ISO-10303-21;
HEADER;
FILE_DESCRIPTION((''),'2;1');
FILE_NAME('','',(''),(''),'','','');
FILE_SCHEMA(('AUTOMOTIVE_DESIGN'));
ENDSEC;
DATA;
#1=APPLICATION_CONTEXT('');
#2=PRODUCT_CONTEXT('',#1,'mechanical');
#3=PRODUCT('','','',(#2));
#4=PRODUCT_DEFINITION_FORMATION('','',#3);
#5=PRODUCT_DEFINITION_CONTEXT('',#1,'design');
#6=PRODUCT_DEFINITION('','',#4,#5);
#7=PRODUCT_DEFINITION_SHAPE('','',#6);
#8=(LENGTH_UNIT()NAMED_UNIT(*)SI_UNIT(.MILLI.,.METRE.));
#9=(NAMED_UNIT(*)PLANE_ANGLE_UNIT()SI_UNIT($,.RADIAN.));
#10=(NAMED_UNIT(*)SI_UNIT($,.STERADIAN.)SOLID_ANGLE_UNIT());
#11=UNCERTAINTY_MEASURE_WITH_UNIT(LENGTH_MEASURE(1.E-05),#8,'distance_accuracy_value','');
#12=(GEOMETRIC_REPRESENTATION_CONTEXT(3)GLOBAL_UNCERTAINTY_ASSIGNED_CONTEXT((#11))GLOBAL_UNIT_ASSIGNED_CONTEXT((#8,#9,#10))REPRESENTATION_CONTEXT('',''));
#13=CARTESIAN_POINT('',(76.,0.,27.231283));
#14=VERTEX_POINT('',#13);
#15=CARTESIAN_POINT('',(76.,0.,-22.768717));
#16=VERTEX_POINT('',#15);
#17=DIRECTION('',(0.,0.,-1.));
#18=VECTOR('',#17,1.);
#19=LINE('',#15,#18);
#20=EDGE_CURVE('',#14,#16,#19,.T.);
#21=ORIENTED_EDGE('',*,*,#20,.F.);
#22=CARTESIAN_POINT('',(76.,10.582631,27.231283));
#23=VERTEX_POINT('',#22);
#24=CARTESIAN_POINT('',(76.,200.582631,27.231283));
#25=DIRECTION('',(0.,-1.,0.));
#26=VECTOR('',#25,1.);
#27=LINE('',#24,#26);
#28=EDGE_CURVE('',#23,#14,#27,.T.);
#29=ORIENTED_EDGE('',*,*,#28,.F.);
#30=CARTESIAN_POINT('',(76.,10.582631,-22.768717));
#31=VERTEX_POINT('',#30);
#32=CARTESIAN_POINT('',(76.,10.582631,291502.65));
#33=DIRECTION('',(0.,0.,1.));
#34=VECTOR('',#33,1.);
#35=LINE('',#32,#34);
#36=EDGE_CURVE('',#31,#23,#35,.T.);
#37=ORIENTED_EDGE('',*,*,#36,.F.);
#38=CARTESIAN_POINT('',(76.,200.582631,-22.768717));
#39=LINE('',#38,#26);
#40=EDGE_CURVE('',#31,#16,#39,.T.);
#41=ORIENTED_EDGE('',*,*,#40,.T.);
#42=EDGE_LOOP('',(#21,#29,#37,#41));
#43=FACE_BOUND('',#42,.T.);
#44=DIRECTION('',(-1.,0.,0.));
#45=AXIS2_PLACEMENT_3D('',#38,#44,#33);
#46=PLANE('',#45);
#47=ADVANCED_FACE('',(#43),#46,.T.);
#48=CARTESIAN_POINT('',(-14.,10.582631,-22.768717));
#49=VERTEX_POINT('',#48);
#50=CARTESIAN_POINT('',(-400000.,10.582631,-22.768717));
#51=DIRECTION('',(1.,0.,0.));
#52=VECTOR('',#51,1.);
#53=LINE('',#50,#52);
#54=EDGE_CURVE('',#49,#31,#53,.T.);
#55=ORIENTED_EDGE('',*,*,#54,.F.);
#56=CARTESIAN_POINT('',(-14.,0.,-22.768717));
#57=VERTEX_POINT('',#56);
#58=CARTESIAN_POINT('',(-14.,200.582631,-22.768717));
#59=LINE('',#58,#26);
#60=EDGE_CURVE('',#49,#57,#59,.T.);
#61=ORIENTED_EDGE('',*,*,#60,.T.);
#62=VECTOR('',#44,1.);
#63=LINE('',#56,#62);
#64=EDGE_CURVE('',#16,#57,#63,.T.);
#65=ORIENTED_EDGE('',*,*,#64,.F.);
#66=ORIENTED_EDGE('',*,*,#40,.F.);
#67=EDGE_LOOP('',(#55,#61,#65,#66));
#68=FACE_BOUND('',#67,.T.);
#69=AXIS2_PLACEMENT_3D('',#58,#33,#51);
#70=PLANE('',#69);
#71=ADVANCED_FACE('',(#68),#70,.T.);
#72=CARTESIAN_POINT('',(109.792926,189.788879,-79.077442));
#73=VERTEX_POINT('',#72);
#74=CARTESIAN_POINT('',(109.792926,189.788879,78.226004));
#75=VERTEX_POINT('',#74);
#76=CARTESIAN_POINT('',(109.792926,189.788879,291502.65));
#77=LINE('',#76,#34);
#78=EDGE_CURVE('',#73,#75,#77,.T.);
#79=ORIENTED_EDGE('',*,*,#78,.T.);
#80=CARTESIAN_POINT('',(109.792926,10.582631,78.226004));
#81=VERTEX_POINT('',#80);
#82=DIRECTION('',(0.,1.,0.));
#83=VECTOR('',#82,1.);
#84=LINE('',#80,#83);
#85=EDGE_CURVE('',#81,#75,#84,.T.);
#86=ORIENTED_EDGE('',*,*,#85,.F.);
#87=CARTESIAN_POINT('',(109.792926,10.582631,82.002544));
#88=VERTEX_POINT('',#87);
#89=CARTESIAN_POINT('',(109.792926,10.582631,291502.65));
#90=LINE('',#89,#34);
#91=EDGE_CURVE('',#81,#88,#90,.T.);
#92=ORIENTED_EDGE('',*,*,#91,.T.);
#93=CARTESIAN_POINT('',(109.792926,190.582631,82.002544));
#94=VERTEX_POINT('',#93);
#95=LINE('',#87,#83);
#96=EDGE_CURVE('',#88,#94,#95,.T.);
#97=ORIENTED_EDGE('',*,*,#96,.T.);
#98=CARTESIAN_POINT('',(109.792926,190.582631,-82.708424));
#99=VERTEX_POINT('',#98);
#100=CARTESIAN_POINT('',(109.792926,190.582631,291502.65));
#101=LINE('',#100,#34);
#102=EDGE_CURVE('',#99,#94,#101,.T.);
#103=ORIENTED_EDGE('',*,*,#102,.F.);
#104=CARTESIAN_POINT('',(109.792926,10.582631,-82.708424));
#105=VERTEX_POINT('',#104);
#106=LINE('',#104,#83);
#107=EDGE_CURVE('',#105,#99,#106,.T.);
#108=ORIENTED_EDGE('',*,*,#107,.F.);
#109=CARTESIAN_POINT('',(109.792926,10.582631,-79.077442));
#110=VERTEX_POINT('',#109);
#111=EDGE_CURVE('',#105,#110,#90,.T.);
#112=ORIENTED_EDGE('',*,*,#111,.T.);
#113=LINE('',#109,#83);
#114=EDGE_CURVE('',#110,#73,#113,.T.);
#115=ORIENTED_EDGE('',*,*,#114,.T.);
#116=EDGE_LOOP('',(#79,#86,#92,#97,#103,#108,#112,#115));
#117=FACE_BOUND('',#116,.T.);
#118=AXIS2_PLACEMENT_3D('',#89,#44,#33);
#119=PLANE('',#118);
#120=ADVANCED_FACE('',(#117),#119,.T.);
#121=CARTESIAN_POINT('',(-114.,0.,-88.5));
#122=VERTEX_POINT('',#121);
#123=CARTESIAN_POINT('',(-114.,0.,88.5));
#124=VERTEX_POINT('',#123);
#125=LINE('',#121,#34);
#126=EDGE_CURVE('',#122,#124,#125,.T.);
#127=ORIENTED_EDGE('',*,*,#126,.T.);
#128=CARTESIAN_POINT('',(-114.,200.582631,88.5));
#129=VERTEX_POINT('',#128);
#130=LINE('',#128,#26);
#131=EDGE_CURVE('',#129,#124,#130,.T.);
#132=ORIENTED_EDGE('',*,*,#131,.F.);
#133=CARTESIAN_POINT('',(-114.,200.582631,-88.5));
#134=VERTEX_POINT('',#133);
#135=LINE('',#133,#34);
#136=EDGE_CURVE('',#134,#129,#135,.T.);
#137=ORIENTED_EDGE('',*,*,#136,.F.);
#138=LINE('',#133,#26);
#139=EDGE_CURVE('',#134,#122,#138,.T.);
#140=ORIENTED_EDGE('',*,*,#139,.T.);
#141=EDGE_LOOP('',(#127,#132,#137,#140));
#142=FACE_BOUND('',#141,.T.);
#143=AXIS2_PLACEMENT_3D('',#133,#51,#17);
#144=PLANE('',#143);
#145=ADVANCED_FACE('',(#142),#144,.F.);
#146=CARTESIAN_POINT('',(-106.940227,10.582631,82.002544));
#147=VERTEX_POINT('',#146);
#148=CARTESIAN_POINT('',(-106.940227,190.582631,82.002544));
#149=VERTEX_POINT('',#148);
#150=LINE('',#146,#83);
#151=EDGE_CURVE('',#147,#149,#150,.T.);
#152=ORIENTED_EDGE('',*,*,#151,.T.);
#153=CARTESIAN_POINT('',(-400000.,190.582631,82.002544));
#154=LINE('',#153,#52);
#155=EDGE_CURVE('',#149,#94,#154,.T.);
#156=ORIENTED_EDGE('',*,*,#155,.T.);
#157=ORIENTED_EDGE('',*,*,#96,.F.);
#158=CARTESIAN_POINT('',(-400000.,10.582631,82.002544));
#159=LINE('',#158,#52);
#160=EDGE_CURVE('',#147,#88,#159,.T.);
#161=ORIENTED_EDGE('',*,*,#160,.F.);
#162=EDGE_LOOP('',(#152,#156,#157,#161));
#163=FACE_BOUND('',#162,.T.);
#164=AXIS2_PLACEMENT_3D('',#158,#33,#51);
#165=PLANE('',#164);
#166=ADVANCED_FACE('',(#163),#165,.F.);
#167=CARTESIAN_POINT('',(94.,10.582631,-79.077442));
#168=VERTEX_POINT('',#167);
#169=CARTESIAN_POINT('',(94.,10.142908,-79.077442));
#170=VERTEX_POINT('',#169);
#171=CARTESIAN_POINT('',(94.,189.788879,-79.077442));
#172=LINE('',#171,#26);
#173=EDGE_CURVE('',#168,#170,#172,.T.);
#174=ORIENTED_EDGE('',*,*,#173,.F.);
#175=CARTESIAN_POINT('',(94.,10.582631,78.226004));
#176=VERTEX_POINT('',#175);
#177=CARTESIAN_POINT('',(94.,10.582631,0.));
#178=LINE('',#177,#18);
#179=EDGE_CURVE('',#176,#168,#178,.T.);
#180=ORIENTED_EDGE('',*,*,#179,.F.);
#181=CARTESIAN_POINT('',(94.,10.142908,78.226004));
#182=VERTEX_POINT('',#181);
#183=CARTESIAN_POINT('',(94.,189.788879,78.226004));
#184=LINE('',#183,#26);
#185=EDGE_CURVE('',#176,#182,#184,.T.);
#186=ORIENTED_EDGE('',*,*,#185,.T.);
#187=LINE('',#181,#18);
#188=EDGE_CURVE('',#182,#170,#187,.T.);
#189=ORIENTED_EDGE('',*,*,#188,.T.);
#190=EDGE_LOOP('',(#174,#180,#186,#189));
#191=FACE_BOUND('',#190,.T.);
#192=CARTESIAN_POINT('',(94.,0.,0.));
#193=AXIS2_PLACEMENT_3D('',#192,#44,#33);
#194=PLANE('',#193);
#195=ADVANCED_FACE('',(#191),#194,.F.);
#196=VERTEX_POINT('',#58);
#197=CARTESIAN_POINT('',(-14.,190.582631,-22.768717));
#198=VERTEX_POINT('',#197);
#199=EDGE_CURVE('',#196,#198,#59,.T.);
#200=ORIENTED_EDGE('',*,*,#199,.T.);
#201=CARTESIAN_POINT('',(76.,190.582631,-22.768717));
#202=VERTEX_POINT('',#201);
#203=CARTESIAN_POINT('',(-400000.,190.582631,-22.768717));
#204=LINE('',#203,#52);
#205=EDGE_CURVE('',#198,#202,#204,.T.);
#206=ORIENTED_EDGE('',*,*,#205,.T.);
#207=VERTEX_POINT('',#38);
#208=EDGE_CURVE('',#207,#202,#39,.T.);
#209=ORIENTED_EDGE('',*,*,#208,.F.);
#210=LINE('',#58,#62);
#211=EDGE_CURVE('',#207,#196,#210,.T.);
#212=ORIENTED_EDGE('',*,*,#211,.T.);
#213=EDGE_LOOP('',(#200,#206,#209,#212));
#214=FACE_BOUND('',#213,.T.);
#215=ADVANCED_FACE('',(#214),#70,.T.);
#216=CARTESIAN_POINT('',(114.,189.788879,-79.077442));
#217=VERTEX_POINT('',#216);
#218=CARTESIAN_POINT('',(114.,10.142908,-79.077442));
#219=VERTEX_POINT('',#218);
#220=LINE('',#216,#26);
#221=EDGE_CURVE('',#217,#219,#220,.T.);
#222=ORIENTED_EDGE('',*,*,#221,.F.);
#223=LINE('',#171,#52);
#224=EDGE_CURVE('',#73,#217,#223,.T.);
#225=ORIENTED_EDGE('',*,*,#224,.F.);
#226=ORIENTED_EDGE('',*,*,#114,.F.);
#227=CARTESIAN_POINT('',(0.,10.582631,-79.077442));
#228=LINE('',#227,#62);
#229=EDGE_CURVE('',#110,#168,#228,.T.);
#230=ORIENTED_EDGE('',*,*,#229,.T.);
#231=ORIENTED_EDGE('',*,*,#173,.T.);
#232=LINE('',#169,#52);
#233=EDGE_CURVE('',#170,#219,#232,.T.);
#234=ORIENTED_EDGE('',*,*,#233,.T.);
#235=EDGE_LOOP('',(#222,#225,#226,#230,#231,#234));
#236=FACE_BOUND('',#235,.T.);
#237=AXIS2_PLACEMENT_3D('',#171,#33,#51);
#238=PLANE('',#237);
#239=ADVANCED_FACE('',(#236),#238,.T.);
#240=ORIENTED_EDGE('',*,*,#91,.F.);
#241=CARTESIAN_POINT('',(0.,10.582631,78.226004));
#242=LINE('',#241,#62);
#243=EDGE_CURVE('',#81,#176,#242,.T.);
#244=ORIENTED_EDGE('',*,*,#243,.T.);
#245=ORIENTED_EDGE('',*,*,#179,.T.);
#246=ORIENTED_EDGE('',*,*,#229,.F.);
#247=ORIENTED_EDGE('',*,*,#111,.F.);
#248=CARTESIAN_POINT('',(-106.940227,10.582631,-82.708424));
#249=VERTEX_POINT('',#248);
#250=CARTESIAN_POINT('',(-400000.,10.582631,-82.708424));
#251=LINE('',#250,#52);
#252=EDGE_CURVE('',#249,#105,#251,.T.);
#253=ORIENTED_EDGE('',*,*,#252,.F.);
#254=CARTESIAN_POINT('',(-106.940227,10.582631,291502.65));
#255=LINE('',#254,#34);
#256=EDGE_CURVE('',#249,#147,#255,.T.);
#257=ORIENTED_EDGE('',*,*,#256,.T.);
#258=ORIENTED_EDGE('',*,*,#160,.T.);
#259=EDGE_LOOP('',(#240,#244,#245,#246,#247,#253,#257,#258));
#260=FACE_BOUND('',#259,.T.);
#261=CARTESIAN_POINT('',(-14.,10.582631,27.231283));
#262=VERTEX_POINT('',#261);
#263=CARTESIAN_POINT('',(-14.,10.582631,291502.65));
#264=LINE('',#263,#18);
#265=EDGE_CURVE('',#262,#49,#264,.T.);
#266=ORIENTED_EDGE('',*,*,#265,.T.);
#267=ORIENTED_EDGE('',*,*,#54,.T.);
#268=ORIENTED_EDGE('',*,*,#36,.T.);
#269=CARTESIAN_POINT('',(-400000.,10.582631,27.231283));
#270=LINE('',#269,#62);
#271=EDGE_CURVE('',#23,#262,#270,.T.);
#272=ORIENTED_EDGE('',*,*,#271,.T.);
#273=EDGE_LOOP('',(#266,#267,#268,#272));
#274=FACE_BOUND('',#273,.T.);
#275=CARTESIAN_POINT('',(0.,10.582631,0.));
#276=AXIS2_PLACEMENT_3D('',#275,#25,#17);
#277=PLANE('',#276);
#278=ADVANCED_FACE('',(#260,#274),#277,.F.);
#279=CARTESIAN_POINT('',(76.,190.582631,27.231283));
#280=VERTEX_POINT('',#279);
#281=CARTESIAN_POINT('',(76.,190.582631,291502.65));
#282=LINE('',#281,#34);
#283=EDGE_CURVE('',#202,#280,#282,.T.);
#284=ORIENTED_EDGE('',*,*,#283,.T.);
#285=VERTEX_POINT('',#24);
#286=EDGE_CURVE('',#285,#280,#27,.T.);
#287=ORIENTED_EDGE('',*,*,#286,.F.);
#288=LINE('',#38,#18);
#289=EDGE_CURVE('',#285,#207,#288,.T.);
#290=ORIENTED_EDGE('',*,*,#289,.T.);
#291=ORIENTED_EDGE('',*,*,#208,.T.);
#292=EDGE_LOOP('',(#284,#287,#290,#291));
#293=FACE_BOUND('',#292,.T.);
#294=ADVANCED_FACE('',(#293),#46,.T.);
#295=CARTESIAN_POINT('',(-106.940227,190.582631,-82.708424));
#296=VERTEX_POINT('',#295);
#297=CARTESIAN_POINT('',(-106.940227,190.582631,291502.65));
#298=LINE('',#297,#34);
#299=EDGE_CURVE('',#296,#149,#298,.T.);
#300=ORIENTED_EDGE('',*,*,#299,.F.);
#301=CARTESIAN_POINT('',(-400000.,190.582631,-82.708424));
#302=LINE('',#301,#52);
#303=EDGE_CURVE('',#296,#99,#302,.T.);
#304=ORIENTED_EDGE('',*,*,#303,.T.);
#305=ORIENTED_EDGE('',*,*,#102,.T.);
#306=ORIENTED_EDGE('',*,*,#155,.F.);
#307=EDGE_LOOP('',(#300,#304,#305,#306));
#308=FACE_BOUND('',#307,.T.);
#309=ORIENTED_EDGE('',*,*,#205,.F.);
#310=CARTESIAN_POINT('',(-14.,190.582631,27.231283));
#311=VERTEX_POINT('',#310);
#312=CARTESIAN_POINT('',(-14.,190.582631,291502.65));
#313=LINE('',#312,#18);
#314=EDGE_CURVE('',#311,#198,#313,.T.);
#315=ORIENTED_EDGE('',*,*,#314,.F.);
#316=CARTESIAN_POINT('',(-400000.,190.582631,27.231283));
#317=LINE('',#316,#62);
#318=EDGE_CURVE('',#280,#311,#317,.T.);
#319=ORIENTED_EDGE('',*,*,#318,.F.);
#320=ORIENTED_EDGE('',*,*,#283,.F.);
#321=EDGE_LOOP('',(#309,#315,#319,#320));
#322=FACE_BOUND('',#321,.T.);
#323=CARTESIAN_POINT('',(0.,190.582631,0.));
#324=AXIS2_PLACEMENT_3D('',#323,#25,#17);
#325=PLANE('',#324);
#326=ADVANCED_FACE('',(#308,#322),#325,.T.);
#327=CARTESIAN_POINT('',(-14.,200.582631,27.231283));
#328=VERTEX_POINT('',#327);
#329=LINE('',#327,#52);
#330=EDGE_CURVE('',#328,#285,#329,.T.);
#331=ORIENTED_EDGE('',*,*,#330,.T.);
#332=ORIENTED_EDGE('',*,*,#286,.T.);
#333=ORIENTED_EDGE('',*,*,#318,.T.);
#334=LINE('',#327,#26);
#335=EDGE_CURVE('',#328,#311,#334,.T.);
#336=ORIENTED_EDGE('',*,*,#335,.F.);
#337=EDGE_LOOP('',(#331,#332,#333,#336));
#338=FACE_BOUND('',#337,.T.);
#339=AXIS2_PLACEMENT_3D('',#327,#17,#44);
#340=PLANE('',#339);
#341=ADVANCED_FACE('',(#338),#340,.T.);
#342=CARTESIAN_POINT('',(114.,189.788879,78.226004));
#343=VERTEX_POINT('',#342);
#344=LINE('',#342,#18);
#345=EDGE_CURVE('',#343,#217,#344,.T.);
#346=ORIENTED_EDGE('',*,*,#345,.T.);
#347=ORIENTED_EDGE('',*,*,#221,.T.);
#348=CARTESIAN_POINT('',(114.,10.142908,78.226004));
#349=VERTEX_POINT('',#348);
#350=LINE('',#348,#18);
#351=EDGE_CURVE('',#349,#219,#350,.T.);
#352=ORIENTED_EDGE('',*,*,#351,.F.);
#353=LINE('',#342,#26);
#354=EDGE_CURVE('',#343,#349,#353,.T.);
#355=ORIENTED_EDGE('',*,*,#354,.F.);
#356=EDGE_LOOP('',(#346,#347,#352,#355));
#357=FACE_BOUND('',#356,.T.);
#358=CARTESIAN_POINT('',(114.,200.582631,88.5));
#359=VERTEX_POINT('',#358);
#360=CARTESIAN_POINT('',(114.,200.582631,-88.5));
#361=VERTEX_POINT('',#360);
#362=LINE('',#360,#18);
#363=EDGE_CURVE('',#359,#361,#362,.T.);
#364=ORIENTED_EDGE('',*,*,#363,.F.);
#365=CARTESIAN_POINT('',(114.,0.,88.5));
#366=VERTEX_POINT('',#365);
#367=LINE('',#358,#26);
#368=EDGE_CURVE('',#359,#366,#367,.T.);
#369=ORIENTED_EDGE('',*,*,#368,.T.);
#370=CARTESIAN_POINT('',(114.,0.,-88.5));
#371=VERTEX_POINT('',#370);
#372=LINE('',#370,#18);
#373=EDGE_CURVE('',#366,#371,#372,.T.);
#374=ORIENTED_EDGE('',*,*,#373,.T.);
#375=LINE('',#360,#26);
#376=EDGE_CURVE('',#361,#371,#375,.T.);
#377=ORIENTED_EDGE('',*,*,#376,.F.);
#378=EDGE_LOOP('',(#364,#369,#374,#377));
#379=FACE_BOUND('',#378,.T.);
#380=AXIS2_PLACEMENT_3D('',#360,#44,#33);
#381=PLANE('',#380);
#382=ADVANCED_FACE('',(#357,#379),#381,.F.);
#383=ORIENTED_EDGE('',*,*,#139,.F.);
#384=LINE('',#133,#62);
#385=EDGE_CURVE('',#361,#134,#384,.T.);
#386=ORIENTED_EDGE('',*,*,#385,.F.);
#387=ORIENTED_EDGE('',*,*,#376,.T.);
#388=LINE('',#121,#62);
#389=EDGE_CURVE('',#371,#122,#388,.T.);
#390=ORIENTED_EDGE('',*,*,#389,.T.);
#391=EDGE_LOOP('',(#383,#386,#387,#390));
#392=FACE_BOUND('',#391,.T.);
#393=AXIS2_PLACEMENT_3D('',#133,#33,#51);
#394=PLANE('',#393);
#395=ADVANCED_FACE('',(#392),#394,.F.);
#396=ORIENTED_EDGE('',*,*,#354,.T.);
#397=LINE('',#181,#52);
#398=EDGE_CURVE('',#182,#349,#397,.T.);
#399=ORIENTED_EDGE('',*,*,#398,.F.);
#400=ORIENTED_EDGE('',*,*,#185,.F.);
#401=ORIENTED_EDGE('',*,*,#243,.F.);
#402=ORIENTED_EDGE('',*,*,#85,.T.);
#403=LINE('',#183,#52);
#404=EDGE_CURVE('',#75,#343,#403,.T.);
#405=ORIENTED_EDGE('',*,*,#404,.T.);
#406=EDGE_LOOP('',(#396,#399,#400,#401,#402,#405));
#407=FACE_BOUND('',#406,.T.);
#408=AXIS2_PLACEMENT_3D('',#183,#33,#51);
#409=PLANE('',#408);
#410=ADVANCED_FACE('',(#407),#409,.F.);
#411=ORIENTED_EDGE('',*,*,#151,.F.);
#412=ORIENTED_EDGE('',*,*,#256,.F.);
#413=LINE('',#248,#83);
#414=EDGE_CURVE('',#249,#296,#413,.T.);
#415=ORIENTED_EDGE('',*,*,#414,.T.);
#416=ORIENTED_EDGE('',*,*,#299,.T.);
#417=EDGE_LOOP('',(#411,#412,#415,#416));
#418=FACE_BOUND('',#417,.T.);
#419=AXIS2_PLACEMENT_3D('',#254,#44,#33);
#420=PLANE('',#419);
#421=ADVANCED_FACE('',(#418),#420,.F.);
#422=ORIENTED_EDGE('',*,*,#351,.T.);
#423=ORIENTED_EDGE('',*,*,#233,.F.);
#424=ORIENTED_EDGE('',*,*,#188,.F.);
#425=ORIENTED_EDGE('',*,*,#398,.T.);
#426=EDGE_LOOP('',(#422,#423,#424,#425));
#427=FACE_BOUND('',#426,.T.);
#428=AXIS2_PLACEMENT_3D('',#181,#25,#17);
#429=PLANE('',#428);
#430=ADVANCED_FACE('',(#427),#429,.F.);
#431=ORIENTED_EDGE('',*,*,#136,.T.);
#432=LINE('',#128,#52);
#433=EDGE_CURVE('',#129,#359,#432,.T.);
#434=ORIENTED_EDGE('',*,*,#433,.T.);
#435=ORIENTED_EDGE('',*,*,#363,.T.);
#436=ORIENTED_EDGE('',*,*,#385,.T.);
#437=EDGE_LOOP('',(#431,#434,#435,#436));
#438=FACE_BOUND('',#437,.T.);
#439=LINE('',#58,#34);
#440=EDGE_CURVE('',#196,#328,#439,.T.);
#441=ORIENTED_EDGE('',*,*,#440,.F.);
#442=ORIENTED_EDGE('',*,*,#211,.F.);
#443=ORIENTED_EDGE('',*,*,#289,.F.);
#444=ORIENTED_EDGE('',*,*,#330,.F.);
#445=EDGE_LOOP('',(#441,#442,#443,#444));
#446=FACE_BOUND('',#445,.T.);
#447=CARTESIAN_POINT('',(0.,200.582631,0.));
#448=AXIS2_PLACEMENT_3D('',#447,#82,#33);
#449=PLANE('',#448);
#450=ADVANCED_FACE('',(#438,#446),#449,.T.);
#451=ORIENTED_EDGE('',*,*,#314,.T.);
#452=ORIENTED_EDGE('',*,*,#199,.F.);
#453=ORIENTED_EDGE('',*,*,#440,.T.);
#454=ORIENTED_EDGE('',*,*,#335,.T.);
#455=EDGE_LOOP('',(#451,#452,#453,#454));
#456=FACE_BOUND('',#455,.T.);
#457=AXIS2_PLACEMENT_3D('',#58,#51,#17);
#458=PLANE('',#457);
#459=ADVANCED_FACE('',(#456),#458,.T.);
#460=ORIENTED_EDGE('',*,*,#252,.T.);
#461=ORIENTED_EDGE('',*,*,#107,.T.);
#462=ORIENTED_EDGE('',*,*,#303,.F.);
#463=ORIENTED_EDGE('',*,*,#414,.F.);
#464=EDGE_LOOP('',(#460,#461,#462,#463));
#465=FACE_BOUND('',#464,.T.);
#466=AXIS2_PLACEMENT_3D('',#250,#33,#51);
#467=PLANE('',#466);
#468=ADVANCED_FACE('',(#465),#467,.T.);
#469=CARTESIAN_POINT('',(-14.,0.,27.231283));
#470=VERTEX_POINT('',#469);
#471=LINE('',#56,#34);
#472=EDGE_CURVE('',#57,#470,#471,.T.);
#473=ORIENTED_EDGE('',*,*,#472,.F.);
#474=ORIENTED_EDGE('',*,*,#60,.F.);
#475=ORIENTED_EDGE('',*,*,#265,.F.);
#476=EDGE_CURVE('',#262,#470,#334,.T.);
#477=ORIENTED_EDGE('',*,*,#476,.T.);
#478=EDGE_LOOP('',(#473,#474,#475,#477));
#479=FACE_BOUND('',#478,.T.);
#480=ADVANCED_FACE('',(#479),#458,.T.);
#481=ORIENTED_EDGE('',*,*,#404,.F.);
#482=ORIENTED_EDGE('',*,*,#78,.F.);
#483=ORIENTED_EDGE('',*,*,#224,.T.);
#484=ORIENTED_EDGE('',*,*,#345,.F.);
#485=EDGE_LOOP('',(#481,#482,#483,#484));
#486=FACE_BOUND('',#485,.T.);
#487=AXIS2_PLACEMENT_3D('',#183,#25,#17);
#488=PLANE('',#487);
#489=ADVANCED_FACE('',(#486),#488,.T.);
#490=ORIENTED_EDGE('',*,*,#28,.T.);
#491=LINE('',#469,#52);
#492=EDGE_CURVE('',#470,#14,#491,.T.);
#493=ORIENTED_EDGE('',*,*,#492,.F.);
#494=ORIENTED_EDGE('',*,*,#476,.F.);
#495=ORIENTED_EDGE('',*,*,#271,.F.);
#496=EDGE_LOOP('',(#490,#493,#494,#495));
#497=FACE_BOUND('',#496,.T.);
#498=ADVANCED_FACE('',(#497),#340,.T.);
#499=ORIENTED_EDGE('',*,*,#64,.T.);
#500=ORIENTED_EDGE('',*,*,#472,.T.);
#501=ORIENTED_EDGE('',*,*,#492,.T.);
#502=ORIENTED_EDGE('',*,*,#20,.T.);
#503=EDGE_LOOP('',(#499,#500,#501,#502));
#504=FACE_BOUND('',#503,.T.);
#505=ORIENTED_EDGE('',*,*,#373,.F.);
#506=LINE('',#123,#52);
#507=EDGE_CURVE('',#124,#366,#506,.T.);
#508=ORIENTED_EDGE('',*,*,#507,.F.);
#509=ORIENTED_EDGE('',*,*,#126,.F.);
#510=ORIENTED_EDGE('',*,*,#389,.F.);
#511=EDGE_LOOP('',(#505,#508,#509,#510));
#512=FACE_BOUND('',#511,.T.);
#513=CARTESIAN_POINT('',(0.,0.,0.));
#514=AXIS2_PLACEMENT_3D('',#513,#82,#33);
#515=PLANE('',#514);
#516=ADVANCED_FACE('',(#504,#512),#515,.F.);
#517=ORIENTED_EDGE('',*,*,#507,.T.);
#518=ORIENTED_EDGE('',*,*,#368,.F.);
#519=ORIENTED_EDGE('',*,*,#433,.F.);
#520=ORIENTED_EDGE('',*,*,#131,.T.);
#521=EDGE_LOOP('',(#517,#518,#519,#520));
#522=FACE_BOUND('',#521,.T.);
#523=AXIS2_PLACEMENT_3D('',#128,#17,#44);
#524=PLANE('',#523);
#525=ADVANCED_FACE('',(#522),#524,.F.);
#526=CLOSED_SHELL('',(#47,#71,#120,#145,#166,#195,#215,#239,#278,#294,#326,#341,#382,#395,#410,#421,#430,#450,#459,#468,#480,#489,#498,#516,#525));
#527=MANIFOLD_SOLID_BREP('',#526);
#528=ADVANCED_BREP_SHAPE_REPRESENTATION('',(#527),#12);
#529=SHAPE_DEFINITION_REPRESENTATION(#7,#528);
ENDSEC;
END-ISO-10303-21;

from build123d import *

# Parameters (mm, degrees)
SKETCH1_W           = 228
SKETCH1_H           = 177
SKETCH1_W_2         = 90
SKETCH1_H_2         = 50
BOSS_EXTRUDE2_DEPTH = 200.582631371
CUT_EXTRUDE1_START  = -10
SKETCH2_W           = 108.838399528
SKETCH2_H           = 164.710968607
SKETCH2_W_2         = 60.282653626
SKETCH2_H_2         = 61.539971991
CUT_EXTRUDE1_DEPTH  = 180
SKETCH5_W           = 157.303446562
SKETCH5_H           = 179.645970641
CUT_EXTRUDE2_DEPTH  = 20


with BuildPart() as part:
    # Sketch1 → Boss-Extrude2 (new body)
    with BuildSketch(Plane(origin=(0, 0, 0), x_dir=(1, 0, 0), z_dir=(0, 1, 0))):
        Rectangle(SKETCH1_W, SKETCH1_H)
        with Locations((31, -2.231282948)):
            Rectangle(SKETCH1_W_2, SKETCH1_H_2, mode=Mode.SUBTRACT)
    extrude(amount=BOSS_EXTRUDE2_DEPTH)

    # Sketch2 → Cut-Extrude1 (cut)
    with BuildSketch(Plane(origin=(0, 200.582631371, 0), x_dir=(1, 0, 0), z_dir=(0, 1, 0)).offset(CUT_EXTRUDE1_START)):
        with Locations((-52.521027136, 0.352939873)):
            Rectangle(SKETCH2_W, SKETCH2_H)
        Polygon((109.79292582, 82.708424176), (1.898172628, 82.708424176), (1.898172628, 8.029391403), (62.180826254, 8.029391403), (109.79292582, 8.029391403), align=None)
        with Locations((32.039499441, -51.232558436)):
            Rectangle(SKETCH2_W_2, SKETCH2_H_2)
        Polygon((109.79292582, 8.029391403), (62.180826254, 8.029391403), (62.180826254, -20.46257244), (62.180826254, -82.002544431), (109.79292582, -82.002544431), align=None)
    extrude(amount=-CUT_EXTRUDE1_DEPTH, mode=Mode.SUBTRACT)

    # Sketch5 → Cut-Extrude2 (cut)
    with BuildSketch(Plane(origin=(114, 0, 0), x_dir=(0, 0, -1), z_dir=(1, 0, 0))):
        with Locations((0.425718885, 99.965893577)):
            Rectangle(SKETCH5_W, SKETCH5_H)
    extrude(amount=-CUT_EXTRUDE2_DEPTH, mode=Mode.SUBTRACT)


solid = part.part
